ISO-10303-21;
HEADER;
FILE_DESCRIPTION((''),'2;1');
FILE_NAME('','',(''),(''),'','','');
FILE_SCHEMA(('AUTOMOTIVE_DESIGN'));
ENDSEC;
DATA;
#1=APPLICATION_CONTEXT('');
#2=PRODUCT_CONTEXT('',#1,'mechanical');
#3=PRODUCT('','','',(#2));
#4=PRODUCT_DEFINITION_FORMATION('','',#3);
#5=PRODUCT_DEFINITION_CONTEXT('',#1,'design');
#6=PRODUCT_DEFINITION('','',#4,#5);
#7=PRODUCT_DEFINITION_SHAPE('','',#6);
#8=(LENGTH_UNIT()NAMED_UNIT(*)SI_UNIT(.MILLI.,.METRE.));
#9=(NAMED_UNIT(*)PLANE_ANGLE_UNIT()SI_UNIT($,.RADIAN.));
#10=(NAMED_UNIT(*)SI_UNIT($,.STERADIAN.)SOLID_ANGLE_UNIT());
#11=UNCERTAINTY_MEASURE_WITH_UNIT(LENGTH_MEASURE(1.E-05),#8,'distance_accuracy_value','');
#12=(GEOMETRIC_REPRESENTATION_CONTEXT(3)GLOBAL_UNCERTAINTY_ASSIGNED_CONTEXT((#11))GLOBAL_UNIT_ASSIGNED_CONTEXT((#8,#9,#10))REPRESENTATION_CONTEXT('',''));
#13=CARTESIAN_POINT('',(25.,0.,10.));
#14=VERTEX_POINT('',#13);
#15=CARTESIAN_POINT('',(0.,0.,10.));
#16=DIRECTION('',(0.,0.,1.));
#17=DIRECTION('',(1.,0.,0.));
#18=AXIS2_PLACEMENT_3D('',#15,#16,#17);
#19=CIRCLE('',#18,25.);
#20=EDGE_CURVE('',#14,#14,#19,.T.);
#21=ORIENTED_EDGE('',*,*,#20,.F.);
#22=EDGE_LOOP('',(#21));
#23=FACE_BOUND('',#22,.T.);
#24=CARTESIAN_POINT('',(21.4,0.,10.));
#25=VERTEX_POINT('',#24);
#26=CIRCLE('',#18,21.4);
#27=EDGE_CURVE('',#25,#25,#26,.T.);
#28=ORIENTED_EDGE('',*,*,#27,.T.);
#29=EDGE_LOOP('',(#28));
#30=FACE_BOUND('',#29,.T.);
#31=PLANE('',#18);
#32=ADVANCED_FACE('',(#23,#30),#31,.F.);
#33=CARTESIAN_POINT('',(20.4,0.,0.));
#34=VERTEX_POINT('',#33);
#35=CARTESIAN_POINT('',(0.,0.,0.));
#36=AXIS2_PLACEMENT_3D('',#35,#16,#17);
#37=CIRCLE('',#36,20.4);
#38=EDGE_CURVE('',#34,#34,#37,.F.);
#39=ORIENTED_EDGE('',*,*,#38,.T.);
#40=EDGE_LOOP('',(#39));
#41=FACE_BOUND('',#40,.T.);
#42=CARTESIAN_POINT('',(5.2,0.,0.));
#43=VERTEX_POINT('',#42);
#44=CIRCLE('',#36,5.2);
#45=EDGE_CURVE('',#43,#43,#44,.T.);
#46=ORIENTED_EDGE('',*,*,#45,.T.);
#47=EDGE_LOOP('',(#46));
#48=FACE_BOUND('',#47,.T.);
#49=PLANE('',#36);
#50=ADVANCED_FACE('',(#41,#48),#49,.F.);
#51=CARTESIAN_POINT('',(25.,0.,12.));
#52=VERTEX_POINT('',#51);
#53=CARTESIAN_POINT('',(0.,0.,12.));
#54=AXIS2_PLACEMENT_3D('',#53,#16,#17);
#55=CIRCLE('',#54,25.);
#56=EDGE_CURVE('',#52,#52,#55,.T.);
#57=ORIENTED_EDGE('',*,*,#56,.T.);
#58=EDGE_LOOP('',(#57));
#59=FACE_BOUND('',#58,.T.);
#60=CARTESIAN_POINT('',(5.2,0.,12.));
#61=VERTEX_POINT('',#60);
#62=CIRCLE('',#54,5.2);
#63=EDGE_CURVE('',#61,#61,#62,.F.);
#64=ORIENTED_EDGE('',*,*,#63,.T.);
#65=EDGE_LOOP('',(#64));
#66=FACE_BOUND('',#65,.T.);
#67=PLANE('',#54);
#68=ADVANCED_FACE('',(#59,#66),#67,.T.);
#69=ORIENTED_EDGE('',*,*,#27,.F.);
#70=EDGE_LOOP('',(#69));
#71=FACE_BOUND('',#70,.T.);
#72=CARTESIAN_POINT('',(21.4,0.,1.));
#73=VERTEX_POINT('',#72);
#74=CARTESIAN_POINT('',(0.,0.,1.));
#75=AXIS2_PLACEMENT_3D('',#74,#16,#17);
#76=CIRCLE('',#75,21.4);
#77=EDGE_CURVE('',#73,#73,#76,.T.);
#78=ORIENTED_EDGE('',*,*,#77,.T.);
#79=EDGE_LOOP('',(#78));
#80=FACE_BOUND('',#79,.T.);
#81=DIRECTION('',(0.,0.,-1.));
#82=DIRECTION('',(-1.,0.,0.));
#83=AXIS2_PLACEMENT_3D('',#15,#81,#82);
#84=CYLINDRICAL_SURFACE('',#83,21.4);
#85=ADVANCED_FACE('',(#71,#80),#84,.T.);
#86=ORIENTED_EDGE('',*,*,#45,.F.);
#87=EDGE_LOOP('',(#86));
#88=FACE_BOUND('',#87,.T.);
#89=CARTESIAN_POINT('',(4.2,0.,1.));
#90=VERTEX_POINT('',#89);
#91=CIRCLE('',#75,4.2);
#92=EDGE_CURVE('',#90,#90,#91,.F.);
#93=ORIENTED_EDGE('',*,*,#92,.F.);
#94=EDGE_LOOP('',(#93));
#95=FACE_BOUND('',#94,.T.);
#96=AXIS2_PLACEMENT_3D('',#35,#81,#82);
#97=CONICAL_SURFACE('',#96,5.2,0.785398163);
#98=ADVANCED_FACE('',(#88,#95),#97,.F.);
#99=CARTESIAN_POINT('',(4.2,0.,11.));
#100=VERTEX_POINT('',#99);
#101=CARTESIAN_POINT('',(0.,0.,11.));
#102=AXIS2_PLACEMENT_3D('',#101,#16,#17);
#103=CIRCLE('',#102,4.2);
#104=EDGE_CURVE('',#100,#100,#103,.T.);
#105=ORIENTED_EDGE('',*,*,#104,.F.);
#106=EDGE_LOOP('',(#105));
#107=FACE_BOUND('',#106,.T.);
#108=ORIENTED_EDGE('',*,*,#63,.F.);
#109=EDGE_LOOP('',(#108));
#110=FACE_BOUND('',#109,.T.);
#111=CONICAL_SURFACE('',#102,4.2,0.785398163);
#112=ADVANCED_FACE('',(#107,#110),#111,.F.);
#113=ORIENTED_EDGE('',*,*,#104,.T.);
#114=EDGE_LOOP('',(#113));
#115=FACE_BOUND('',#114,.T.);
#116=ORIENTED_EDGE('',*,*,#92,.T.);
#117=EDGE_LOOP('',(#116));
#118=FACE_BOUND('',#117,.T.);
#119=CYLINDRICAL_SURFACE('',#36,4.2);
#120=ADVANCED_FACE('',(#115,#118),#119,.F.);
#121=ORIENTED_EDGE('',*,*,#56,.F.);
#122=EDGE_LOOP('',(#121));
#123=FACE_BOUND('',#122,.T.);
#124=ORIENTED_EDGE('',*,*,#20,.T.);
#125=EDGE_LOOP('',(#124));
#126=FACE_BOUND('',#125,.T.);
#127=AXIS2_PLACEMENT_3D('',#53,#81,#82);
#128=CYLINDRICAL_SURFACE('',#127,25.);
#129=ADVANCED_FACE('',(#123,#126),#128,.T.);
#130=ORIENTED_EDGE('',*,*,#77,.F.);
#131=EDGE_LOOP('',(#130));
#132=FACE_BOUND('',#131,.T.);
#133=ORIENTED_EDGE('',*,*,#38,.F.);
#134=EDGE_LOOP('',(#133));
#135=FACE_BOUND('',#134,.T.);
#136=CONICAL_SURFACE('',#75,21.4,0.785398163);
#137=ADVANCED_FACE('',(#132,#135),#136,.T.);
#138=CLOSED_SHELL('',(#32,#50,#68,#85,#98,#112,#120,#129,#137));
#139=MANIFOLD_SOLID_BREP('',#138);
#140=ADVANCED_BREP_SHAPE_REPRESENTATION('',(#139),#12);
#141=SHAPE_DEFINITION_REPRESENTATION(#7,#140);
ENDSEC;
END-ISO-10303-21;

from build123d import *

# Parameters (mm, degrees)
ESQUISSE1_R                  = 21.4
BOSS_EXTRU_1_DEPTH           = 10
ESQUISSE2_R                  = 25
BOSS_EXTRU_2_DEPTH           = 2
ENL_V_MAT_EXTRU_1_DEPTH      = 38.336309405
ENL_V_MAT_EXTRU_1_DEPTH_BACK = 38.336309405
ESQUISSE3_R                  = 4.2
CHANFREIN1_SIZE              = 1


with BuildPart() as part:
    # Esquisse1 → Boss.-Extru.1 (new body)
    with BuildSketch(Plane.XY):
        Circle(ESQUISSE1_R)
    extrude(amount=BOSS_EXTRU_1_DEPTH)

    # Esquisse2 → Boss.-Extru.2 (add)
    with BuildSketch(Plane.XY.offset(10)):
        Circle(ESQUISSE2_R)
    extrude(amount=BOSS_EXTRU_2_DEPTH)

    # Esquisse3 → Enlèv. mat.-Extru.1 (cut, two sides: drawn at the far end of the back side and taken through both)
    with BuildSketch(Plane.XY.offset(12).offset(-ENL_V_MAT_EXTRU_1_DEPTH_BACK)):
        Circle(ESQUISSE3_R)
    extrude(amount=ENL_V_MAT_EXTRU_1_DEPTH + ENL_V_MAT_EXTRU_1_DEPTH_BACK, mode=Mode.SUBTRACT)

    # Chanfrein1
    chanfrein1_edges = [part.edges().sort_by_distance(p)[0] for p in [
        (-4.2, 0, 12),
        (-4.2, 0, 0),
        (-21.4, 0, 0),
    ]]
    chamfer(chanfrein1_edges, length=CHANFREIN1_SIZE)


solid = part.part
